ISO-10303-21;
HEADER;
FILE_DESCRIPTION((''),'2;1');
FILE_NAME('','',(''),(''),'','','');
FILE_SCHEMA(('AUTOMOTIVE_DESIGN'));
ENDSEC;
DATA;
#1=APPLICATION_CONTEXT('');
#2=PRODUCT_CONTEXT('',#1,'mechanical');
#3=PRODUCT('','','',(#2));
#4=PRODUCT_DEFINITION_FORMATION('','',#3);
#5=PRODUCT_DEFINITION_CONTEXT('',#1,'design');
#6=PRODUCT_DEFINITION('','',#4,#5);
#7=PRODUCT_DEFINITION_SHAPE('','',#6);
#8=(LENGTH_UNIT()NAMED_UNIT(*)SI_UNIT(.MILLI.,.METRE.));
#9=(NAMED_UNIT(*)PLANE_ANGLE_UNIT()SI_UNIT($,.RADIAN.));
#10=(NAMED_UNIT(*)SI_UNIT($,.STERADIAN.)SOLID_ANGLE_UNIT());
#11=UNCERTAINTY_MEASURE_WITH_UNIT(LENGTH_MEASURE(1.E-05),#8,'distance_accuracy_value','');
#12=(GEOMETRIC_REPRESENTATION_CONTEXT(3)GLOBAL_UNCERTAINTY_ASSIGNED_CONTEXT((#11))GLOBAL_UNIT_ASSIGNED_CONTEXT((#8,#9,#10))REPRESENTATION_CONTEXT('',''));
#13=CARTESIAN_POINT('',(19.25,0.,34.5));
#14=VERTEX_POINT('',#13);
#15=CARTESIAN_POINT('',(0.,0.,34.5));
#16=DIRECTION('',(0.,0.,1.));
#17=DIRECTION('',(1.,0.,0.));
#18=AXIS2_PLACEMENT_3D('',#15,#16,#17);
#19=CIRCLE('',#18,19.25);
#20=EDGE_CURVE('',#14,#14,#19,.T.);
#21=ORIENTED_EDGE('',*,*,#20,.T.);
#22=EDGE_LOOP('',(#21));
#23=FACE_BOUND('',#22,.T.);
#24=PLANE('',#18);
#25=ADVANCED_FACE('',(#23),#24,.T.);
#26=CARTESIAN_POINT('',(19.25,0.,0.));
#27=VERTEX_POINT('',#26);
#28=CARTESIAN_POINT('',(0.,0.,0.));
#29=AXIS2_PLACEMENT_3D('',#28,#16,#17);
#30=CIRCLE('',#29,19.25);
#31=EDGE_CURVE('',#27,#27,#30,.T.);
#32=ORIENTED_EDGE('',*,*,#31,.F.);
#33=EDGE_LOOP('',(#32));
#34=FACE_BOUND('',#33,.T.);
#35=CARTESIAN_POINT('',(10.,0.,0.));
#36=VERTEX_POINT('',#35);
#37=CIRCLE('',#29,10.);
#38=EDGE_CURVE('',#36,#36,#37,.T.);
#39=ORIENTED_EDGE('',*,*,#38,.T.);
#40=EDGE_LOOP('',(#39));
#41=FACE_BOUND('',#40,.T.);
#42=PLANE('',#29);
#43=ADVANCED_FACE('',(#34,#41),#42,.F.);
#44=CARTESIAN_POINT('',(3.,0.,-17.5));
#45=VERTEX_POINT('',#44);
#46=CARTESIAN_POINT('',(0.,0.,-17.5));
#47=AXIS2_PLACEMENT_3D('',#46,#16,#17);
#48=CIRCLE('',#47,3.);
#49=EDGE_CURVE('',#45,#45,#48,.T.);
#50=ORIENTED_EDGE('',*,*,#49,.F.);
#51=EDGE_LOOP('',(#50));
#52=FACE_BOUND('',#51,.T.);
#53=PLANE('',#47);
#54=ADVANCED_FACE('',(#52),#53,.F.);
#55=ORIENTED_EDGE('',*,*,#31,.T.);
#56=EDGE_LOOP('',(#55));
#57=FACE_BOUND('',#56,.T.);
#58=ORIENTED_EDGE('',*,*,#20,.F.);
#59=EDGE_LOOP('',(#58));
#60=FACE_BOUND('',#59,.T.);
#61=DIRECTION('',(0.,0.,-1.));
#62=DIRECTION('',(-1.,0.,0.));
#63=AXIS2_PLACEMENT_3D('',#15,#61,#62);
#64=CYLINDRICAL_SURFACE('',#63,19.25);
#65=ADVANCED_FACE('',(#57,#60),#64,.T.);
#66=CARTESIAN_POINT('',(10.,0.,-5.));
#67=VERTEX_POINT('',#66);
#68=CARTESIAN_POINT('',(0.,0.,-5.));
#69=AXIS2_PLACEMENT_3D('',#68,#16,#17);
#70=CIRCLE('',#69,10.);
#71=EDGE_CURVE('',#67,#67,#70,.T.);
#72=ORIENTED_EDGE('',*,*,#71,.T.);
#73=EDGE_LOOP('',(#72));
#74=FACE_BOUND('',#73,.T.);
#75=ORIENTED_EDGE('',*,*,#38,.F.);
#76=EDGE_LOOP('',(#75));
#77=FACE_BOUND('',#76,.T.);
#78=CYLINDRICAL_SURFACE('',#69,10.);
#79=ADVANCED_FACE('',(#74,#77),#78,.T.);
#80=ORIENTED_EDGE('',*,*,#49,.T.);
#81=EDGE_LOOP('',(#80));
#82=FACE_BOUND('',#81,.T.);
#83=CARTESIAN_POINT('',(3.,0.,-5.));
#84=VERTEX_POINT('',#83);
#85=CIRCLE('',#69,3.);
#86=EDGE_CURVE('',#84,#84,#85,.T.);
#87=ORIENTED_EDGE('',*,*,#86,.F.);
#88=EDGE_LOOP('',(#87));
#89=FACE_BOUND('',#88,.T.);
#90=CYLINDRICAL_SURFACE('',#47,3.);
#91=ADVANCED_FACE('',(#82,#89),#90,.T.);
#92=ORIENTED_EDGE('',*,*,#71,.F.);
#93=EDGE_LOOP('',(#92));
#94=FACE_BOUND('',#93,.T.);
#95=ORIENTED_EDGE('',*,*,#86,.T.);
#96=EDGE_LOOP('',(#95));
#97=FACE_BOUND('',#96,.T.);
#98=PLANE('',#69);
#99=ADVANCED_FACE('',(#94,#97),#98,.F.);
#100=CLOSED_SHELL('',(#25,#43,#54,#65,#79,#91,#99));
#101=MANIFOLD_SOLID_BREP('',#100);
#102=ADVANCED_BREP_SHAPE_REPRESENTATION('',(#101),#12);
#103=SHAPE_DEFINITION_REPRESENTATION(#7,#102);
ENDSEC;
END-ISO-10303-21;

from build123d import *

# Parameters (mm, degrees)
SKETCH1_R           = 19.25
BOSS_EXTRUDE1_DEPTH = 34.5
SKETCH1_3_R         = 10
SKETCH1_3_R_2       = 3
BOSS_EXTRUDE2_DEPTH = 5
SKETCH1_4_R         = 3
BOSS_EXTRUDE3_DEPTH = 17.5


with BuildPart() as part:
    # Sketch1 → Boss-Extrude1 (new body)
    with BuildSketch(Plane.XY):
        Circle(SKETCH1_R)
    extrude(amount=BOSS_EXTRUDE1_DEPTH)

    # Sketch1<3> → Boss-Extrude2 (add)
    with BuildSketch(Plane.XY):
        Circle(SKETCH1_3_R)
        Circle(SKETCH1_3_R_2, mode=Mode.SUBTRACT)
    extrude(amount=-BOSS_EXTRUDE2_DEPTH)

    # Sketch1<4> → Boss-Extrude3 (add)
    with BuildSketch(Plane.XY):
        Circle(SKETCH1_4_R)
    extrude(amount=-BOSS_EXTRUDE3_DEPTH)


solid = part.part
